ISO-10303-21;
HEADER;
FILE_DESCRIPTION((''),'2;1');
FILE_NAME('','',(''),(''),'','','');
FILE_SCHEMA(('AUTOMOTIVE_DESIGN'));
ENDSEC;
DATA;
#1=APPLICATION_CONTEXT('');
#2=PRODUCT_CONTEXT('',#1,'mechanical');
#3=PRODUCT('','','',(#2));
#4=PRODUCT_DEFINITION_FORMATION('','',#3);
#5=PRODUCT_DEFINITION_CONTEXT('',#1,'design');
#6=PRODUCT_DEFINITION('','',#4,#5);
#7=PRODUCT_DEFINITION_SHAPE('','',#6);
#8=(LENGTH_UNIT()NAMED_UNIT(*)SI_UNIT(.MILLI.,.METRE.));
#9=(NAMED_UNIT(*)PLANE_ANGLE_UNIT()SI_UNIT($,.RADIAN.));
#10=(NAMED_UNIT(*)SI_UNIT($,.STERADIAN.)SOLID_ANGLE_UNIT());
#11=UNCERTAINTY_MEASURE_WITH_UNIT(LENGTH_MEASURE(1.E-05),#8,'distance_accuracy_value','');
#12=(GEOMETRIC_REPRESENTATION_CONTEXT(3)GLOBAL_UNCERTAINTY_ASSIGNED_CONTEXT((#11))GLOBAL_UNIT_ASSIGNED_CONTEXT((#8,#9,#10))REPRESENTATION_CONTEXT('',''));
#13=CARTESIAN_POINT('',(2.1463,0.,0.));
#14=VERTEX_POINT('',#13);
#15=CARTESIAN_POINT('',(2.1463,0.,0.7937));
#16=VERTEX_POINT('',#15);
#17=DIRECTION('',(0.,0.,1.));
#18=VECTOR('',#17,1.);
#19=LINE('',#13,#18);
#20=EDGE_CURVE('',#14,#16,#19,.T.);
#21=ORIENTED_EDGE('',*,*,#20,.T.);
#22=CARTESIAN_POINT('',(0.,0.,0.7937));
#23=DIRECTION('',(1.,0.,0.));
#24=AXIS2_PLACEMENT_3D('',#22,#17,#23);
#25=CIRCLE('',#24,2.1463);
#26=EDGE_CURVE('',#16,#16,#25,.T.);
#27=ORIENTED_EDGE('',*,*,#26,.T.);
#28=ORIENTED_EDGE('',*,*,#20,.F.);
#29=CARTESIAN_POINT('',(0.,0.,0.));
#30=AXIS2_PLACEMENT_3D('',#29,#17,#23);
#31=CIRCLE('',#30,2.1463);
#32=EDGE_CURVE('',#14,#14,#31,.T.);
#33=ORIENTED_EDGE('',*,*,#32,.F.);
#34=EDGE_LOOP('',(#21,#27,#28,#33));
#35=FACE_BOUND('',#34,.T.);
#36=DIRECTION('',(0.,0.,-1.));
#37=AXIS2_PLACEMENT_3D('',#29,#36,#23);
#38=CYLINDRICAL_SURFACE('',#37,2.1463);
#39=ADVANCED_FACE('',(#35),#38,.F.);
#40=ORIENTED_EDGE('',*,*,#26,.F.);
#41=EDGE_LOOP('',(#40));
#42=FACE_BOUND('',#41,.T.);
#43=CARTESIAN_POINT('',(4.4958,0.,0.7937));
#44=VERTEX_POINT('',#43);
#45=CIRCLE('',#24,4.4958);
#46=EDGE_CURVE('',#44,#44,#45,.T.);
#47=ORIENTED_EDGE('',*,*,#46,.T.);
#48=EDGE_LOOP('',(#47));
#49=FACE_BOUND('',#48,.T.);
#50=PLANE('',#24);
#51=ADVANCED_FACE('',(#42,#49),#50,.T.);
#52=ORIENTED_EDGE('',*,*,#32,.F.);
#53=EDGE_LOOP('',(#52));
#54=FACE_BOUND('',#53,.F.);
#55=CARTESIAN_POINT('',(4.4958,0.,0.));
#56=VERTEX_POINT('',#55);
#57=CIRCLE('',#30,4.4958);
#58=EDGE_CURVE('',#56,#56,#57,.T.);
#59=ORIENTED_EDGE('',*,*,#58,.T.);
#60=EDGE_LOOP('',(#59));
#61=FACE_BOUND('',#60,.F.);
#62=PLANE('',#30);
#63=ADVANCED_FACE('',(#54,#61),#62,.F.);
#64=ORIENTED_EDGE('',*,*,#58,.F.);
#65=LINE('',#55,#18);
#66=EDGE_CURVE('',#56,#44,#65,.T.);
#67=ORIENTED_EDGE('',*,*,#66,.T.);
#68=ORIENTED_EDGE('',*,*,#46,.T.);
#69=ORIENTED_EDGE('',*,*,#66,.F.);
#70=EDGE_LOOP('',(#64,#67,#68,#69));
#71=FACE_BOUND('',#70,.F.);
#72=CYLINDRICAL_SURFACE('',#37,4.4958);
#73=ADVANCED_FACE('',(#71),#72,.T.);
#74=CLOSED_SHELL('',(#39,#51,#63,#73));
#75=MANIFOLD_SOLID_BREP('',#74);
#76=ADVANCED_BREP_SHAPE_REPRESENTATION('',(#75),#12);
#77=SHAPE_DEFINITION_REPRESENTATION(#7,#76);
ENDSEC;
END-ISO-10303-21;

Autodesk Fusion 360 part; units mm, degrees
sketch "Sketch1" plane through (0, 0, 0) normal (0, 0, 1) x (1, 0, 0)
  circle A0 centre (0, 0) radius 2.1463
  circle A1 centre (0, 0) radius 4.4958
  dimension "d1" = 4.2926
  dimension "d2" = 8.9916
extrude "Extrude1" add sketch "Sketch1" along normal blind 0.7937
equation "d3 = ( 1 / 32 ) * 1 in"
